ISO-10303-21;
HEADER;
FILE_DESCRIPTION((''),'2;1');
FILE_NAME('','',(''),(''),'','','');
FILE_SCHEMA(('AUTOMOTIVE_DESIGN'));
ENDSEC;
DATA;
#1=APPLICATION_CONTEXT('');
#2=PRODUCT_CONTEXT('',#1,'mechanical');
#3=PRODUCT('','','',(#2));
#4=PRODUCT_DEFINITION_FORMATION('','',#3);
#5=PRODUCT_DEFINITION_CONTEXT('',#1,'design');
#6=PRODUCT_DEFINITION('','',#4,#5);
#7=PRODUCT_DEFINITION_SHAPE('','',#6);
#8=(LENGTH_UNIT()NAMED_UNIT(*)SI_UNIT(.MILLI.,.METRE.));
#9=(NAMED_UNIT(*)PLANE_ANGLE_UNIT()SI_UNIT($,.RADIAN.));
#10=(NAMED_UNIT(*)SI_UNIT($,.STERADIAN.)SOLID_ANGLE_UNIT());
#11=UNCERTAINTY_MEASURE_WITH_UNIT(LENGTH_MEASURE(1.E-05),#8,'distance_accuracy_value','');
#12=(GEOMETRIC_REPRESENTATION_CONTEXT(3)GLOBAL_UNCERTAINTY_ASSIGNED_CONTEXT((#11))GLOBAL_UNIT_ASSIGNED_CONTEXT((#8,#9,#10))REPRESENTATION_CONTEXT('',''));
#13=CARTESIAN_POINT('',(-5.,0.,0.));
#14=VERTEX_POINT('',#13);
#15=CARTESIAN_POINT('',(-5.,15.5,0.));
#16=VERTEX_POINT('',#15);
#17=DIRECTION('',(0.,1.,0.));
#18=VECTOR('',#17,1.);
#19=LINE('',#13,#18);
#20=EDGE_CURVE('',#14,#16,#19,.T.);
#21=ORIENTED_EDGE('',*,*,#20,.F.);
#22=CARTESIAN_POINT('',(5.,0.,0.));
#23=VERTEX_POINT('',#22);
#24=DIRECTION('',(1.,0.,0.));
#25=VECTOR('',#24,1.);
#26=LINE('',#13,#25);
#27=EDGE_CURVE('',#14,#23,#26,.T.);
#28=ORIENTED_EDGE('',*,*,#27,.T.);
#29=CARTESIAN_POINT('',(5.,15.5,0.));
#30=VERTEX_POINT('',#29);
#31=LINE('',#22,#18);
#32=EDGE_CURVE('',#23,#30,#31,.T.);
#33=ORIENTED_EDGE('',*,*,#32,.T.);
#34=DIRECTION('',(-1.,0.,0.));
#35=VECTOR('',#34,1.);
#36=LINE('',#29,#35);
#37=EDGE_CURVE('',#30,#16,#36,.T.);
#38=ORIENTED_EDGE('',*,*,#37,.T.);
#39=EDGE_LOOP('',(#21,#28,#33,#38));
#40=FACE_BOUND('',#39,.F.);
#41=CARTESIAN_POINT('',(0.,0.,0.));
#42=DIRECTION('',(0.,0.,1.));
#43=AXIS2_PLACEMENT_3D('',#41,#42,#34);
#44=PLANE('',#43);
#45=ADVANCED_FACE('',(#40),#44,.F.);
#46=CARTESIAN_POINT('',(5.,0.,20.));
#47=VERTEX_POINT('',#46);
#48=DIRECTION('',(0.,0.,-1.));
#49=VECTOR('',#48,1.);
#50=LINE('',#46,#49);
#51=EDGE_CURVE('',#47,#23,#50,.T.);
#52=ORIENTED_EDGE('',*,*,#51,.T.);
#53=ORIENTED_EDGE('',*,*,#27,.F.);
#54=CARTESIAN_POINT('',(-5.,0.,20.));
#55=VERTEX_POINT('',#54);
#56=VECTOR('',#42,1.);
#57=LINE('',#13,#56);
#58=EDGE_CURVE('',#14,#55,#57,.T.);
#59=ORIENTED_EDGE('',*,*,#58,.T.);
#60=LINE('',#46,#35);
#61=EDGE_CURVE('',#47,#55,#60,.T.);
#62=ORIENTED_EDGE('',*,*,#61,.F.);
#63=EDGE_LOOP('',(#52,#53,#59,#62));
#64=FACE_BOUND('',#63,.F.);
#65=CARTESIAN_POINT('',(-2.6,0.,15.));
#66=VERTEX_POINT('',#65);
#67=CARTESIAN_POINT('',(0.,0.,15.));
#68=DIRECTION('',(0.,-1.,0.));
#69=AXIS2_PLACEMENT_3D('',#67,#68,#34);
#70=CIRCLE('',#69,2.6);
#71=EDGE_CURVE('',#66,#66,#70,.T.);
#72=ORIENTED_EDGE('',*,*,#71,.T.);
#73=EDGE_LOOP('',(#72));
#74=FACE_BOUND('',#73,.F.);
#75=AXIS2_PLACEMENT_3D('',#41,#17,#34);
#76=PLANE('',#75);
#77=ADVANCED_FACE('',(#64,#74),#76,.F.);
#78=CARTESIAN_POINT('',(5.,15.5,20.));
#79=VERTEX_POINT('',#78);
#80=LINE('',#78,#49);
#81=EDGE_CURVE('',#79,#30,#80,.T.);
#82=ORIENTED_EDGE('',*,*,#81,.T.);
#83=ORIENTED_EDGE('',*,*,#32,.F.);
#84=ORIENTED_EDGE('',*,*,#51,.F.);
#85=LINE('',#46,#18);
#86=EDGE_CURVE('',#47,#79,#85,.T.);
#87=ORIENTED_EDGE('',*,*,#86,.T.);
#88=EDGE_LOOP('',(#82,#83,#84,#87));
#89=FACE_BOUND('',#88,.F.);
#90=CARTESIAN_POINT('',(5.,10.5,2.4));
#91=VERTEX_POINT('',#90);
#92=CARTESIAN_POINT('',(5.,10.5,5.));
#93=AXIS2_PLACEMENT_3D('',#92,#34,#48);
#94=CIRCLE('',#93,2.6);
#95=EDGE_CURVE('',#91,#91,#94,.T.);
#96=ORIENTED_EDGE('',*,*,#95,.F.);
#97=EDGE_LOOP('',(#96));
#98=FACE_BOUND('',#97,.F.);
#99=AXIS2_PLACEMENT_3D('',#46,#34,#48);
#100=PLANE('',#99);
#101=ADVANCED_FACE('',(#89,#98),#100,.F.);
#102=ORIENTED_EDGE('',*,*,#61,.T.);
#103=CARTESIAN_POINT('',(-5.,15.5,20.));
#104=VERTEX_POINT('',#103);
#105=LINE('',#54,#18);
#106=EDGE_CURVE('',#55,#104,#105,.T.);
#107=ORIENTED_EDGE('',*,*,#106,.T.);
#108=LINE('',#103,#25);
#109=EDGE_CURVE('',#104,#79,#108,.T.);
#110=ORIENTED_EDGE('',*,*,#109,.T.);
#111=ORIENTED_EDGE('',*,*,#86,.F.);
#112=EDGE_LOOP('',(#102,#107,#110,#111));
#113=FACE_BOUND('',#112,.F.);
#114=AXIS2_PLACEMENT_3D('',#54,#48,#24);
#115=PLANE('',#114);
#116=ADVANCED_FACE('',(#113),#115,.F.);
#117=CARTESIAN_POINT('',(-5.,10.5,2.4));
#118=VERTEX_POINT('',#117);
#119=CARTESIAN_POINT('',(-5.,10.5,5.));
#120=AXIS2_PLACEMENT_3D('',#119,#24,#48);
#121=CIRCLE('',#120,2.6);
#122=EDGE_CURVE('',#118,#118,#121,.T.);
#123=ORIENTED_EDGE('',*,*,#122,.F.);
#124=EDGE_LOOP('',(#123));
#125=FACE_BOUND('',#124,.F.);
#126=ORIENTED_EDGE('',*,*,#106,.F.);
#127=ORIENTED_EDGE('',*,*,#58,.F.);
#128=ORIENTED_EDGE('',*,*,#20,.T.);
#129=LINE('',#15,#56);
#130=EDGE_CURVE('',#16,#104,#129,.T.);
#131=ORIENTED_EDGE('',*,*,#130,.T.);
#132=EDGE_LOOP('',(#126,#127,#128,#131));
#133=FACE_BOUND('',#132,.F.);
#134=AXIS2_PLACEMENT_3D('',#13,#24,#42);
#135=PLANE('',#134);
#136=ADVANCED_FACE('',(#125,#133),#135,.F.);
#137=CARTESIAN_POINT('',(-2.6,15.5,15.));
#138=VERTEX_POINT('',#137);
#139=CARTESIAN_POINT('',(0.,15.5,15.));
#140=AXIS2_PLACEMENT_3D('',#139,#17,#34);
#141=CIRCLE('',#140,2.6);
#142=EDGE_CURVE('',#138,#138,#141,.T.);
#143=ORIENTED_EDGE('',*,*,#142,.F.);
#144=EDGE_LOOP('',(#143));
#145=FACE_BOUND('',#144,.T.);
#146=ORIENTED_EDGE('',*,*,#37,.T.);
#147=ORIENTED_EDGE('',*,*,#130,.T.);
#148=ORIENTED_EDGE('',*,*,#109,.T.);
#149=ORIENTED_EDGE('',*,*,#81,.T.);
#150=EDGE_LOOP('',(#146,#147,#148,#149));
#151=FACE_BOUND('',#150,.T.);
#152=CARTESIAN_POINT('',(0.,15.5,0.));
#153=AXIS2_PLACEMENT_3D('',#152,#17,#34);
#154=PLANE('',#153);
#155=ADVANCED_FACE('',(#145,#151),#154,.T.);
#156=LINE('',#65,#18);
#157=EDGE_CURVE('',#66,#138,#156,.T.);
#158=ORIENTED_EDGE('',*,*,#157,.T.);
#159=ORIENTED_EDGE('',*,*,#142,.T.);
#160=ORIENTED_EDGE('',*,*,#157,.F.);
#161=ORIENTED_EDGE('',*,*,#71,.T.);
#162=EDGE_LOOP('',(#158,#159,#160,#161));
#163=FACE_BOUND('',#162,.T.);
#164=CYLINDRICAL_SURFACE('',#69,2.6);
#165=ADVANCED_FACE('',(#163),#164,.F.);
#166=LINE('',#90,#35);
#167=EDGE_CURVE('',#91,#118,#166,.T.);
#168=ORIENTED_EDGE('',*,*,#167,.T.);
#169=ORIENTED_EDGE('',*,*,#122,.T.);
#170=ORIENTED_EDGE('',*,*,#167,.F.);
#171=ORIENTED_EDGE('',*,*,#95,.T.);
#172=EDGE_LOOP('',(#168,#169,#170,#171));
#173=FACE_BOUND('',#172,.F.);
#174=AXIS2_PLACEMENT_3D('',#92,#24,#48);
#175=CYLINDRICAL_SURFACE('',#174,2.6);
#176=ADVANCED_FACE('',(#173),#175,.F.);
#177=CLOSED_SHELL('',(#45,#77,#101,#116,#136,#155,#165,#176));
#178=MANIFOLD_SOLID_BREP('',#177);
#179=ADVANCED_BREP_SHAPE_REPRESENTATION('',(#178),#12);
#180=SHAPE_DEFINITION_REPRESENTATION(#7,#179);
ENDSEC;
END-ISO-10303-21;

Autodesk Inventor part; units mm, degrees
ref_plane "YZ Plane" through (0, 0, 0) normal (1, 0, 0) x (0, 1, 0)
ref_plane "XZ Plane" through (0, 0, 0) normal (0, 1, 0) x (-1, 0, 0)
ref_plane "XY Plane" through (0, 0, 0) normal (0, 0, 1) x (1, 0, 0)
sketch "Sketch1" plane through (0, 0, 0) normal (0, 1, 0) x (-1, 0, 0)
  line L0 (0, 0) -> (0, -5.5)
  line L1 (0, -5.5) -> (0, -15.5)
  circle A0 centre (0, -15.5) radius 2.6
  line L2 (0, -100) -> (0, -84.8)
  circle A1 centre (0, -84.8) radius 2.6
  line L3 (0, -50) -> (0, -26)
  line L4 (0, -26) -> (-5, -26)
  line L5 (0, -12.9) -> (0, -10.5)
  line L6 (0, -10.5) -> (-5, -10.5)
  line L7 (-5, -10.5) -> (-5, -26)
  line L8 (0, -10.5) -> (5, -10.5)
  line L9 (5, -10.5) -> (5, -26)
  line L10 (5, -26) -> (0, -26)
  line L11 (0, 0) -> (0, -12.9)
  line L12 (0, -18.1) -> (0, -100)
  line L13 (0, 0) -> (5, 0)
  line L14 (0, 0) -> (-5, 0)
  line L15 (0, 0) -> (0, 5)
  line L16 (0, 5) -> (0, 12.4)
  line L17 (0, 15) -> (0, 20)
  line L18 (0, 20) -> (-5, 20)
  line L19 (-5, 20) -> (-5, 0)
  line L20 (5, 0) -> (5, 20)
  line L21 (5, 20) -> (0, 20)
  circle A2 centre (0, 15) radius 2.6
  dimension "d15" = 5.2
  dimension "d0" = 100
  dimension "d1" = 5.5
  dimension "d2" = 10
  dimension "d3" = 5.2
  dimension "d4" = 15.2
  dimension "d5" = 5.2
  dimension "d6" = 24
  dimension "d7" = 5
  dimension "d8" = 5
  dimension "d9" = 5
  dimension "d10" = 5
  dimension "d11" = 5
  dimension "d12" = 5
  dimension "d13" = 10
  dimension "d14" = 5
extrude "Extrusion1" add sketch "Sketch1" along normal blind 15.5 contours L15 L16 A2 L17 L21 L20 L13 | L14 L19 L18 L17 A2 L16 L15
sketch "Sketch2" plane through (5, 0, 20) normal (1, 0, 0) x (0, 0, -1)
  line L0 (20, 15.5) -> (15, 15.5)
  line L1 (20, 15.5) -> (0, 15.5) projected
  line L2 (15, 15.5) -> (15, 10.5)
  circle A0 centre (15, 10.5) radius 2.6
  point P0 (20, 0)
  dimension "d18" = 5
  dimension "d19" = 5
  dimension "d20" = 5.2
extrude "Extrusion2" cut sketch "Sketch2" against normal blind 15.5
properties part number "roller_joint_front"
